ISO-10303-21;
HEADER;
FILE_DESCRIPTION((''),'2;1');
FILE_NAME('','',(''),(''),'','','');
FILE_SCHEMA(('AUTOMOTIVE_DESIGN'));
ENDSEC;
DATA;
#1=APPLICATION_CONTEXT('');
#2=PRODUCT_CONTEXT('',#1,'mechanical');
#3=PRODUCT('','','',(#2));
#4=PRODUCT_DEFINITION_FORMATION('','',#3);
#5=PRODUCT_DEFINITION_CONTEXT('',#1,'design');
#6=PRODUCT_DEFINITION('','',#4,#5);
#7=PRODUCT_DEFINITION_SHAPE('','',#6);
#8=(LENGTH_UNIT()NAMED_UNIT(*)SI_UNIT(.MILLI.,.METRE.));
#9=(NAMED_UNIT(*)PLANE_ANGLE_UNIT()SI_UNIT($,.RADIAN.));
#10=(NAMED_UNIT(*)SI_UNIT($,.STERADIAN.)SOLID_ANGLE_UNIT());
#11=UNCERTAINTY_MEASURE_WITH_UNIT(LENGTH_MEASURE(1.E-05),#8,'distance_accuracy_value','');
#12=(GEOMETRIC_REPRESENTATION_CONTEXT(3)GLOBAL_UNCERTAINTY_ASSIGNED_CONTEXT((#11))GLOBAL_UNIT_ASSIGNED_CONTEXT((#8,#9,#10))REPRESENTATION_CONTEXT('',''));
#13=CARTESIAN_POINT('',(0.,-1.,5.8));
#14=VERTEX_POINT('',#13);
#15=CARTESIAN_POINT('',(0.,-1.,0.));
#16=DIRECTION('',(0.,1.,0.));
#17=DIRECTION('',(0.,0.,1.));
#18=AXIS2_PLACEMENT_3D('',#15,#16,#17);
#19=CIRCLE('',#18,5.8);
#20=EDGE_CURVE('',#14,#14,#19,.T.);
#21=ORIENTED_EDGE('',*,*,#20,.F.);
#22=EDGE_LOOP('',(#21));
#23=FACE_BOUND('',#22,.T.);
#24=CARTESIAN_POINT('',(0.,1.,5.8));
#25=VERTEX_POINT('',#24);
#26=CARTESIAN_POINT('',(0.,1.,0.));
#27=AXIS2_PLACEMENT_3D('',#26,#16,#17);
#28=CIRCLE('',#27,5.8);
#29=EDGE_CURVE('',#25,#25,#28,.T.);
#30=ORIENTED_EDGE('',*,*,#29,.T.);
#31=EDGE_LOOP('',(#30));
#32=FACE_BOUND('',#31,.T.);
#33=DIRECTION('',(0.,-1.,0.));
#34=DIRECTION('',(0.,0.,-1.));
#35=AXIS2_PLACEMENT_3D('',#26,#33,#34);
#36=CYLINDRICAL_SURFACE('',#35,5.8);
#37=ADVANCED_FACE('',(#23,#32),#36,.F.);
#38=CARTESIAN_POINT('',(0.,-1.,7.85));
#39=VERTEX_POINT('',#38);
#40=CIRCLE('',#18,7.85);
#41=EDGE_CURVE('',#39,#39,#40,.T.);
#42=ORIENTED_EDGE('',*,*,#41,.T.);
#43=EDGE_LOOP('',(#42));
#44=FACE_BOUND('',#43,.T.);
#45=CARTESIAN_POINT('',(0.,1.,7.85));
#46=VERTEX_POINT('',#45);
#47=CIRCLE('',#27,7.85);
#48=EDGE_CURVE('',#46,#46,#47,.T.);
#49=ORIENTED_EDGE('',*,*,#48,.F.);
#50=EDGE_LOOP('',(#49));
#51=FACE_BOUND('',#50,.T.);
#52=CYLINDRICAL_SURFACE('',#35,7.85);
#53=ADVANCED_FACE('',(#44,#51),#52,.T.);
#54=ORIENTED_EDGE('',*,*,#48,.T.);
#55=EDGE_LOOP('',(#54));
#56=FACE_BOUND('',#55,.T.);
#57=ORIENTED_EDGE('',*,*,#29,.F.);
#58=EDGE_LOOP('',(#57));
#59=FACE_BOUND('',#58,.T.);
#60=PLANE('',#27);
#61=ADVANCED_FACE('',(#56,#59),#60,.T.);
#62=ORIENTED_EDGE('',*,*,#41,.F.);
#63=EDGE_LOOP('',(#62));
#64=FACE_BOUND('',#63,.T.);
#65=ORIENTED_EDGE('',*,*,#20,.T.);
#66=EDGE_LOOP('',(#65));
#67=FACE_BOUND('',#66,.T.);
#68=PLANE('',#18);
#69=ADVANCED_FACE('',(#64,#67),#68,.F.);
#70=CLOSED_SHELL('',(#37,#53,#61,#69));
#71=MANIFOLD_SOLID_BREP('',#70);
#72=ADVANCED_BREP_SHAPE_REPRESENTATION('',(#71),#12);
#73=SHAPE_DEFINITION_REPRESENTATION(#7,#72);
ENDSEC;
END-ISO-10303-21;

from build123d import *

# Parameters (mm, degrees)
O_RING_START = -1
SKETCH1_R    = 7.85
SKETCH1_R_2  = 5.8
O_RING_DEPTH = 2


with BuildPart() as part:
    # Sketch1 → O_Ring (new body)
    with BuildSketch(Plane(origin=(0, 0, 0), x_dir=(1, 0, 0), z_dir=(0, 1, 0)).offset(O_RING_START)):
        with Locations(Location((0, 0, 0), (0, 0, 270))):
            Circle(SKETCH1_R)
        with Locations(Location((0, 0, 0), (0, 0, 270))):
            Circle(SKETCH1_R_2, mode=Mode.SUBTRACT)
    extrude(amount=O_RING_DEPTH)


solid = part.part
